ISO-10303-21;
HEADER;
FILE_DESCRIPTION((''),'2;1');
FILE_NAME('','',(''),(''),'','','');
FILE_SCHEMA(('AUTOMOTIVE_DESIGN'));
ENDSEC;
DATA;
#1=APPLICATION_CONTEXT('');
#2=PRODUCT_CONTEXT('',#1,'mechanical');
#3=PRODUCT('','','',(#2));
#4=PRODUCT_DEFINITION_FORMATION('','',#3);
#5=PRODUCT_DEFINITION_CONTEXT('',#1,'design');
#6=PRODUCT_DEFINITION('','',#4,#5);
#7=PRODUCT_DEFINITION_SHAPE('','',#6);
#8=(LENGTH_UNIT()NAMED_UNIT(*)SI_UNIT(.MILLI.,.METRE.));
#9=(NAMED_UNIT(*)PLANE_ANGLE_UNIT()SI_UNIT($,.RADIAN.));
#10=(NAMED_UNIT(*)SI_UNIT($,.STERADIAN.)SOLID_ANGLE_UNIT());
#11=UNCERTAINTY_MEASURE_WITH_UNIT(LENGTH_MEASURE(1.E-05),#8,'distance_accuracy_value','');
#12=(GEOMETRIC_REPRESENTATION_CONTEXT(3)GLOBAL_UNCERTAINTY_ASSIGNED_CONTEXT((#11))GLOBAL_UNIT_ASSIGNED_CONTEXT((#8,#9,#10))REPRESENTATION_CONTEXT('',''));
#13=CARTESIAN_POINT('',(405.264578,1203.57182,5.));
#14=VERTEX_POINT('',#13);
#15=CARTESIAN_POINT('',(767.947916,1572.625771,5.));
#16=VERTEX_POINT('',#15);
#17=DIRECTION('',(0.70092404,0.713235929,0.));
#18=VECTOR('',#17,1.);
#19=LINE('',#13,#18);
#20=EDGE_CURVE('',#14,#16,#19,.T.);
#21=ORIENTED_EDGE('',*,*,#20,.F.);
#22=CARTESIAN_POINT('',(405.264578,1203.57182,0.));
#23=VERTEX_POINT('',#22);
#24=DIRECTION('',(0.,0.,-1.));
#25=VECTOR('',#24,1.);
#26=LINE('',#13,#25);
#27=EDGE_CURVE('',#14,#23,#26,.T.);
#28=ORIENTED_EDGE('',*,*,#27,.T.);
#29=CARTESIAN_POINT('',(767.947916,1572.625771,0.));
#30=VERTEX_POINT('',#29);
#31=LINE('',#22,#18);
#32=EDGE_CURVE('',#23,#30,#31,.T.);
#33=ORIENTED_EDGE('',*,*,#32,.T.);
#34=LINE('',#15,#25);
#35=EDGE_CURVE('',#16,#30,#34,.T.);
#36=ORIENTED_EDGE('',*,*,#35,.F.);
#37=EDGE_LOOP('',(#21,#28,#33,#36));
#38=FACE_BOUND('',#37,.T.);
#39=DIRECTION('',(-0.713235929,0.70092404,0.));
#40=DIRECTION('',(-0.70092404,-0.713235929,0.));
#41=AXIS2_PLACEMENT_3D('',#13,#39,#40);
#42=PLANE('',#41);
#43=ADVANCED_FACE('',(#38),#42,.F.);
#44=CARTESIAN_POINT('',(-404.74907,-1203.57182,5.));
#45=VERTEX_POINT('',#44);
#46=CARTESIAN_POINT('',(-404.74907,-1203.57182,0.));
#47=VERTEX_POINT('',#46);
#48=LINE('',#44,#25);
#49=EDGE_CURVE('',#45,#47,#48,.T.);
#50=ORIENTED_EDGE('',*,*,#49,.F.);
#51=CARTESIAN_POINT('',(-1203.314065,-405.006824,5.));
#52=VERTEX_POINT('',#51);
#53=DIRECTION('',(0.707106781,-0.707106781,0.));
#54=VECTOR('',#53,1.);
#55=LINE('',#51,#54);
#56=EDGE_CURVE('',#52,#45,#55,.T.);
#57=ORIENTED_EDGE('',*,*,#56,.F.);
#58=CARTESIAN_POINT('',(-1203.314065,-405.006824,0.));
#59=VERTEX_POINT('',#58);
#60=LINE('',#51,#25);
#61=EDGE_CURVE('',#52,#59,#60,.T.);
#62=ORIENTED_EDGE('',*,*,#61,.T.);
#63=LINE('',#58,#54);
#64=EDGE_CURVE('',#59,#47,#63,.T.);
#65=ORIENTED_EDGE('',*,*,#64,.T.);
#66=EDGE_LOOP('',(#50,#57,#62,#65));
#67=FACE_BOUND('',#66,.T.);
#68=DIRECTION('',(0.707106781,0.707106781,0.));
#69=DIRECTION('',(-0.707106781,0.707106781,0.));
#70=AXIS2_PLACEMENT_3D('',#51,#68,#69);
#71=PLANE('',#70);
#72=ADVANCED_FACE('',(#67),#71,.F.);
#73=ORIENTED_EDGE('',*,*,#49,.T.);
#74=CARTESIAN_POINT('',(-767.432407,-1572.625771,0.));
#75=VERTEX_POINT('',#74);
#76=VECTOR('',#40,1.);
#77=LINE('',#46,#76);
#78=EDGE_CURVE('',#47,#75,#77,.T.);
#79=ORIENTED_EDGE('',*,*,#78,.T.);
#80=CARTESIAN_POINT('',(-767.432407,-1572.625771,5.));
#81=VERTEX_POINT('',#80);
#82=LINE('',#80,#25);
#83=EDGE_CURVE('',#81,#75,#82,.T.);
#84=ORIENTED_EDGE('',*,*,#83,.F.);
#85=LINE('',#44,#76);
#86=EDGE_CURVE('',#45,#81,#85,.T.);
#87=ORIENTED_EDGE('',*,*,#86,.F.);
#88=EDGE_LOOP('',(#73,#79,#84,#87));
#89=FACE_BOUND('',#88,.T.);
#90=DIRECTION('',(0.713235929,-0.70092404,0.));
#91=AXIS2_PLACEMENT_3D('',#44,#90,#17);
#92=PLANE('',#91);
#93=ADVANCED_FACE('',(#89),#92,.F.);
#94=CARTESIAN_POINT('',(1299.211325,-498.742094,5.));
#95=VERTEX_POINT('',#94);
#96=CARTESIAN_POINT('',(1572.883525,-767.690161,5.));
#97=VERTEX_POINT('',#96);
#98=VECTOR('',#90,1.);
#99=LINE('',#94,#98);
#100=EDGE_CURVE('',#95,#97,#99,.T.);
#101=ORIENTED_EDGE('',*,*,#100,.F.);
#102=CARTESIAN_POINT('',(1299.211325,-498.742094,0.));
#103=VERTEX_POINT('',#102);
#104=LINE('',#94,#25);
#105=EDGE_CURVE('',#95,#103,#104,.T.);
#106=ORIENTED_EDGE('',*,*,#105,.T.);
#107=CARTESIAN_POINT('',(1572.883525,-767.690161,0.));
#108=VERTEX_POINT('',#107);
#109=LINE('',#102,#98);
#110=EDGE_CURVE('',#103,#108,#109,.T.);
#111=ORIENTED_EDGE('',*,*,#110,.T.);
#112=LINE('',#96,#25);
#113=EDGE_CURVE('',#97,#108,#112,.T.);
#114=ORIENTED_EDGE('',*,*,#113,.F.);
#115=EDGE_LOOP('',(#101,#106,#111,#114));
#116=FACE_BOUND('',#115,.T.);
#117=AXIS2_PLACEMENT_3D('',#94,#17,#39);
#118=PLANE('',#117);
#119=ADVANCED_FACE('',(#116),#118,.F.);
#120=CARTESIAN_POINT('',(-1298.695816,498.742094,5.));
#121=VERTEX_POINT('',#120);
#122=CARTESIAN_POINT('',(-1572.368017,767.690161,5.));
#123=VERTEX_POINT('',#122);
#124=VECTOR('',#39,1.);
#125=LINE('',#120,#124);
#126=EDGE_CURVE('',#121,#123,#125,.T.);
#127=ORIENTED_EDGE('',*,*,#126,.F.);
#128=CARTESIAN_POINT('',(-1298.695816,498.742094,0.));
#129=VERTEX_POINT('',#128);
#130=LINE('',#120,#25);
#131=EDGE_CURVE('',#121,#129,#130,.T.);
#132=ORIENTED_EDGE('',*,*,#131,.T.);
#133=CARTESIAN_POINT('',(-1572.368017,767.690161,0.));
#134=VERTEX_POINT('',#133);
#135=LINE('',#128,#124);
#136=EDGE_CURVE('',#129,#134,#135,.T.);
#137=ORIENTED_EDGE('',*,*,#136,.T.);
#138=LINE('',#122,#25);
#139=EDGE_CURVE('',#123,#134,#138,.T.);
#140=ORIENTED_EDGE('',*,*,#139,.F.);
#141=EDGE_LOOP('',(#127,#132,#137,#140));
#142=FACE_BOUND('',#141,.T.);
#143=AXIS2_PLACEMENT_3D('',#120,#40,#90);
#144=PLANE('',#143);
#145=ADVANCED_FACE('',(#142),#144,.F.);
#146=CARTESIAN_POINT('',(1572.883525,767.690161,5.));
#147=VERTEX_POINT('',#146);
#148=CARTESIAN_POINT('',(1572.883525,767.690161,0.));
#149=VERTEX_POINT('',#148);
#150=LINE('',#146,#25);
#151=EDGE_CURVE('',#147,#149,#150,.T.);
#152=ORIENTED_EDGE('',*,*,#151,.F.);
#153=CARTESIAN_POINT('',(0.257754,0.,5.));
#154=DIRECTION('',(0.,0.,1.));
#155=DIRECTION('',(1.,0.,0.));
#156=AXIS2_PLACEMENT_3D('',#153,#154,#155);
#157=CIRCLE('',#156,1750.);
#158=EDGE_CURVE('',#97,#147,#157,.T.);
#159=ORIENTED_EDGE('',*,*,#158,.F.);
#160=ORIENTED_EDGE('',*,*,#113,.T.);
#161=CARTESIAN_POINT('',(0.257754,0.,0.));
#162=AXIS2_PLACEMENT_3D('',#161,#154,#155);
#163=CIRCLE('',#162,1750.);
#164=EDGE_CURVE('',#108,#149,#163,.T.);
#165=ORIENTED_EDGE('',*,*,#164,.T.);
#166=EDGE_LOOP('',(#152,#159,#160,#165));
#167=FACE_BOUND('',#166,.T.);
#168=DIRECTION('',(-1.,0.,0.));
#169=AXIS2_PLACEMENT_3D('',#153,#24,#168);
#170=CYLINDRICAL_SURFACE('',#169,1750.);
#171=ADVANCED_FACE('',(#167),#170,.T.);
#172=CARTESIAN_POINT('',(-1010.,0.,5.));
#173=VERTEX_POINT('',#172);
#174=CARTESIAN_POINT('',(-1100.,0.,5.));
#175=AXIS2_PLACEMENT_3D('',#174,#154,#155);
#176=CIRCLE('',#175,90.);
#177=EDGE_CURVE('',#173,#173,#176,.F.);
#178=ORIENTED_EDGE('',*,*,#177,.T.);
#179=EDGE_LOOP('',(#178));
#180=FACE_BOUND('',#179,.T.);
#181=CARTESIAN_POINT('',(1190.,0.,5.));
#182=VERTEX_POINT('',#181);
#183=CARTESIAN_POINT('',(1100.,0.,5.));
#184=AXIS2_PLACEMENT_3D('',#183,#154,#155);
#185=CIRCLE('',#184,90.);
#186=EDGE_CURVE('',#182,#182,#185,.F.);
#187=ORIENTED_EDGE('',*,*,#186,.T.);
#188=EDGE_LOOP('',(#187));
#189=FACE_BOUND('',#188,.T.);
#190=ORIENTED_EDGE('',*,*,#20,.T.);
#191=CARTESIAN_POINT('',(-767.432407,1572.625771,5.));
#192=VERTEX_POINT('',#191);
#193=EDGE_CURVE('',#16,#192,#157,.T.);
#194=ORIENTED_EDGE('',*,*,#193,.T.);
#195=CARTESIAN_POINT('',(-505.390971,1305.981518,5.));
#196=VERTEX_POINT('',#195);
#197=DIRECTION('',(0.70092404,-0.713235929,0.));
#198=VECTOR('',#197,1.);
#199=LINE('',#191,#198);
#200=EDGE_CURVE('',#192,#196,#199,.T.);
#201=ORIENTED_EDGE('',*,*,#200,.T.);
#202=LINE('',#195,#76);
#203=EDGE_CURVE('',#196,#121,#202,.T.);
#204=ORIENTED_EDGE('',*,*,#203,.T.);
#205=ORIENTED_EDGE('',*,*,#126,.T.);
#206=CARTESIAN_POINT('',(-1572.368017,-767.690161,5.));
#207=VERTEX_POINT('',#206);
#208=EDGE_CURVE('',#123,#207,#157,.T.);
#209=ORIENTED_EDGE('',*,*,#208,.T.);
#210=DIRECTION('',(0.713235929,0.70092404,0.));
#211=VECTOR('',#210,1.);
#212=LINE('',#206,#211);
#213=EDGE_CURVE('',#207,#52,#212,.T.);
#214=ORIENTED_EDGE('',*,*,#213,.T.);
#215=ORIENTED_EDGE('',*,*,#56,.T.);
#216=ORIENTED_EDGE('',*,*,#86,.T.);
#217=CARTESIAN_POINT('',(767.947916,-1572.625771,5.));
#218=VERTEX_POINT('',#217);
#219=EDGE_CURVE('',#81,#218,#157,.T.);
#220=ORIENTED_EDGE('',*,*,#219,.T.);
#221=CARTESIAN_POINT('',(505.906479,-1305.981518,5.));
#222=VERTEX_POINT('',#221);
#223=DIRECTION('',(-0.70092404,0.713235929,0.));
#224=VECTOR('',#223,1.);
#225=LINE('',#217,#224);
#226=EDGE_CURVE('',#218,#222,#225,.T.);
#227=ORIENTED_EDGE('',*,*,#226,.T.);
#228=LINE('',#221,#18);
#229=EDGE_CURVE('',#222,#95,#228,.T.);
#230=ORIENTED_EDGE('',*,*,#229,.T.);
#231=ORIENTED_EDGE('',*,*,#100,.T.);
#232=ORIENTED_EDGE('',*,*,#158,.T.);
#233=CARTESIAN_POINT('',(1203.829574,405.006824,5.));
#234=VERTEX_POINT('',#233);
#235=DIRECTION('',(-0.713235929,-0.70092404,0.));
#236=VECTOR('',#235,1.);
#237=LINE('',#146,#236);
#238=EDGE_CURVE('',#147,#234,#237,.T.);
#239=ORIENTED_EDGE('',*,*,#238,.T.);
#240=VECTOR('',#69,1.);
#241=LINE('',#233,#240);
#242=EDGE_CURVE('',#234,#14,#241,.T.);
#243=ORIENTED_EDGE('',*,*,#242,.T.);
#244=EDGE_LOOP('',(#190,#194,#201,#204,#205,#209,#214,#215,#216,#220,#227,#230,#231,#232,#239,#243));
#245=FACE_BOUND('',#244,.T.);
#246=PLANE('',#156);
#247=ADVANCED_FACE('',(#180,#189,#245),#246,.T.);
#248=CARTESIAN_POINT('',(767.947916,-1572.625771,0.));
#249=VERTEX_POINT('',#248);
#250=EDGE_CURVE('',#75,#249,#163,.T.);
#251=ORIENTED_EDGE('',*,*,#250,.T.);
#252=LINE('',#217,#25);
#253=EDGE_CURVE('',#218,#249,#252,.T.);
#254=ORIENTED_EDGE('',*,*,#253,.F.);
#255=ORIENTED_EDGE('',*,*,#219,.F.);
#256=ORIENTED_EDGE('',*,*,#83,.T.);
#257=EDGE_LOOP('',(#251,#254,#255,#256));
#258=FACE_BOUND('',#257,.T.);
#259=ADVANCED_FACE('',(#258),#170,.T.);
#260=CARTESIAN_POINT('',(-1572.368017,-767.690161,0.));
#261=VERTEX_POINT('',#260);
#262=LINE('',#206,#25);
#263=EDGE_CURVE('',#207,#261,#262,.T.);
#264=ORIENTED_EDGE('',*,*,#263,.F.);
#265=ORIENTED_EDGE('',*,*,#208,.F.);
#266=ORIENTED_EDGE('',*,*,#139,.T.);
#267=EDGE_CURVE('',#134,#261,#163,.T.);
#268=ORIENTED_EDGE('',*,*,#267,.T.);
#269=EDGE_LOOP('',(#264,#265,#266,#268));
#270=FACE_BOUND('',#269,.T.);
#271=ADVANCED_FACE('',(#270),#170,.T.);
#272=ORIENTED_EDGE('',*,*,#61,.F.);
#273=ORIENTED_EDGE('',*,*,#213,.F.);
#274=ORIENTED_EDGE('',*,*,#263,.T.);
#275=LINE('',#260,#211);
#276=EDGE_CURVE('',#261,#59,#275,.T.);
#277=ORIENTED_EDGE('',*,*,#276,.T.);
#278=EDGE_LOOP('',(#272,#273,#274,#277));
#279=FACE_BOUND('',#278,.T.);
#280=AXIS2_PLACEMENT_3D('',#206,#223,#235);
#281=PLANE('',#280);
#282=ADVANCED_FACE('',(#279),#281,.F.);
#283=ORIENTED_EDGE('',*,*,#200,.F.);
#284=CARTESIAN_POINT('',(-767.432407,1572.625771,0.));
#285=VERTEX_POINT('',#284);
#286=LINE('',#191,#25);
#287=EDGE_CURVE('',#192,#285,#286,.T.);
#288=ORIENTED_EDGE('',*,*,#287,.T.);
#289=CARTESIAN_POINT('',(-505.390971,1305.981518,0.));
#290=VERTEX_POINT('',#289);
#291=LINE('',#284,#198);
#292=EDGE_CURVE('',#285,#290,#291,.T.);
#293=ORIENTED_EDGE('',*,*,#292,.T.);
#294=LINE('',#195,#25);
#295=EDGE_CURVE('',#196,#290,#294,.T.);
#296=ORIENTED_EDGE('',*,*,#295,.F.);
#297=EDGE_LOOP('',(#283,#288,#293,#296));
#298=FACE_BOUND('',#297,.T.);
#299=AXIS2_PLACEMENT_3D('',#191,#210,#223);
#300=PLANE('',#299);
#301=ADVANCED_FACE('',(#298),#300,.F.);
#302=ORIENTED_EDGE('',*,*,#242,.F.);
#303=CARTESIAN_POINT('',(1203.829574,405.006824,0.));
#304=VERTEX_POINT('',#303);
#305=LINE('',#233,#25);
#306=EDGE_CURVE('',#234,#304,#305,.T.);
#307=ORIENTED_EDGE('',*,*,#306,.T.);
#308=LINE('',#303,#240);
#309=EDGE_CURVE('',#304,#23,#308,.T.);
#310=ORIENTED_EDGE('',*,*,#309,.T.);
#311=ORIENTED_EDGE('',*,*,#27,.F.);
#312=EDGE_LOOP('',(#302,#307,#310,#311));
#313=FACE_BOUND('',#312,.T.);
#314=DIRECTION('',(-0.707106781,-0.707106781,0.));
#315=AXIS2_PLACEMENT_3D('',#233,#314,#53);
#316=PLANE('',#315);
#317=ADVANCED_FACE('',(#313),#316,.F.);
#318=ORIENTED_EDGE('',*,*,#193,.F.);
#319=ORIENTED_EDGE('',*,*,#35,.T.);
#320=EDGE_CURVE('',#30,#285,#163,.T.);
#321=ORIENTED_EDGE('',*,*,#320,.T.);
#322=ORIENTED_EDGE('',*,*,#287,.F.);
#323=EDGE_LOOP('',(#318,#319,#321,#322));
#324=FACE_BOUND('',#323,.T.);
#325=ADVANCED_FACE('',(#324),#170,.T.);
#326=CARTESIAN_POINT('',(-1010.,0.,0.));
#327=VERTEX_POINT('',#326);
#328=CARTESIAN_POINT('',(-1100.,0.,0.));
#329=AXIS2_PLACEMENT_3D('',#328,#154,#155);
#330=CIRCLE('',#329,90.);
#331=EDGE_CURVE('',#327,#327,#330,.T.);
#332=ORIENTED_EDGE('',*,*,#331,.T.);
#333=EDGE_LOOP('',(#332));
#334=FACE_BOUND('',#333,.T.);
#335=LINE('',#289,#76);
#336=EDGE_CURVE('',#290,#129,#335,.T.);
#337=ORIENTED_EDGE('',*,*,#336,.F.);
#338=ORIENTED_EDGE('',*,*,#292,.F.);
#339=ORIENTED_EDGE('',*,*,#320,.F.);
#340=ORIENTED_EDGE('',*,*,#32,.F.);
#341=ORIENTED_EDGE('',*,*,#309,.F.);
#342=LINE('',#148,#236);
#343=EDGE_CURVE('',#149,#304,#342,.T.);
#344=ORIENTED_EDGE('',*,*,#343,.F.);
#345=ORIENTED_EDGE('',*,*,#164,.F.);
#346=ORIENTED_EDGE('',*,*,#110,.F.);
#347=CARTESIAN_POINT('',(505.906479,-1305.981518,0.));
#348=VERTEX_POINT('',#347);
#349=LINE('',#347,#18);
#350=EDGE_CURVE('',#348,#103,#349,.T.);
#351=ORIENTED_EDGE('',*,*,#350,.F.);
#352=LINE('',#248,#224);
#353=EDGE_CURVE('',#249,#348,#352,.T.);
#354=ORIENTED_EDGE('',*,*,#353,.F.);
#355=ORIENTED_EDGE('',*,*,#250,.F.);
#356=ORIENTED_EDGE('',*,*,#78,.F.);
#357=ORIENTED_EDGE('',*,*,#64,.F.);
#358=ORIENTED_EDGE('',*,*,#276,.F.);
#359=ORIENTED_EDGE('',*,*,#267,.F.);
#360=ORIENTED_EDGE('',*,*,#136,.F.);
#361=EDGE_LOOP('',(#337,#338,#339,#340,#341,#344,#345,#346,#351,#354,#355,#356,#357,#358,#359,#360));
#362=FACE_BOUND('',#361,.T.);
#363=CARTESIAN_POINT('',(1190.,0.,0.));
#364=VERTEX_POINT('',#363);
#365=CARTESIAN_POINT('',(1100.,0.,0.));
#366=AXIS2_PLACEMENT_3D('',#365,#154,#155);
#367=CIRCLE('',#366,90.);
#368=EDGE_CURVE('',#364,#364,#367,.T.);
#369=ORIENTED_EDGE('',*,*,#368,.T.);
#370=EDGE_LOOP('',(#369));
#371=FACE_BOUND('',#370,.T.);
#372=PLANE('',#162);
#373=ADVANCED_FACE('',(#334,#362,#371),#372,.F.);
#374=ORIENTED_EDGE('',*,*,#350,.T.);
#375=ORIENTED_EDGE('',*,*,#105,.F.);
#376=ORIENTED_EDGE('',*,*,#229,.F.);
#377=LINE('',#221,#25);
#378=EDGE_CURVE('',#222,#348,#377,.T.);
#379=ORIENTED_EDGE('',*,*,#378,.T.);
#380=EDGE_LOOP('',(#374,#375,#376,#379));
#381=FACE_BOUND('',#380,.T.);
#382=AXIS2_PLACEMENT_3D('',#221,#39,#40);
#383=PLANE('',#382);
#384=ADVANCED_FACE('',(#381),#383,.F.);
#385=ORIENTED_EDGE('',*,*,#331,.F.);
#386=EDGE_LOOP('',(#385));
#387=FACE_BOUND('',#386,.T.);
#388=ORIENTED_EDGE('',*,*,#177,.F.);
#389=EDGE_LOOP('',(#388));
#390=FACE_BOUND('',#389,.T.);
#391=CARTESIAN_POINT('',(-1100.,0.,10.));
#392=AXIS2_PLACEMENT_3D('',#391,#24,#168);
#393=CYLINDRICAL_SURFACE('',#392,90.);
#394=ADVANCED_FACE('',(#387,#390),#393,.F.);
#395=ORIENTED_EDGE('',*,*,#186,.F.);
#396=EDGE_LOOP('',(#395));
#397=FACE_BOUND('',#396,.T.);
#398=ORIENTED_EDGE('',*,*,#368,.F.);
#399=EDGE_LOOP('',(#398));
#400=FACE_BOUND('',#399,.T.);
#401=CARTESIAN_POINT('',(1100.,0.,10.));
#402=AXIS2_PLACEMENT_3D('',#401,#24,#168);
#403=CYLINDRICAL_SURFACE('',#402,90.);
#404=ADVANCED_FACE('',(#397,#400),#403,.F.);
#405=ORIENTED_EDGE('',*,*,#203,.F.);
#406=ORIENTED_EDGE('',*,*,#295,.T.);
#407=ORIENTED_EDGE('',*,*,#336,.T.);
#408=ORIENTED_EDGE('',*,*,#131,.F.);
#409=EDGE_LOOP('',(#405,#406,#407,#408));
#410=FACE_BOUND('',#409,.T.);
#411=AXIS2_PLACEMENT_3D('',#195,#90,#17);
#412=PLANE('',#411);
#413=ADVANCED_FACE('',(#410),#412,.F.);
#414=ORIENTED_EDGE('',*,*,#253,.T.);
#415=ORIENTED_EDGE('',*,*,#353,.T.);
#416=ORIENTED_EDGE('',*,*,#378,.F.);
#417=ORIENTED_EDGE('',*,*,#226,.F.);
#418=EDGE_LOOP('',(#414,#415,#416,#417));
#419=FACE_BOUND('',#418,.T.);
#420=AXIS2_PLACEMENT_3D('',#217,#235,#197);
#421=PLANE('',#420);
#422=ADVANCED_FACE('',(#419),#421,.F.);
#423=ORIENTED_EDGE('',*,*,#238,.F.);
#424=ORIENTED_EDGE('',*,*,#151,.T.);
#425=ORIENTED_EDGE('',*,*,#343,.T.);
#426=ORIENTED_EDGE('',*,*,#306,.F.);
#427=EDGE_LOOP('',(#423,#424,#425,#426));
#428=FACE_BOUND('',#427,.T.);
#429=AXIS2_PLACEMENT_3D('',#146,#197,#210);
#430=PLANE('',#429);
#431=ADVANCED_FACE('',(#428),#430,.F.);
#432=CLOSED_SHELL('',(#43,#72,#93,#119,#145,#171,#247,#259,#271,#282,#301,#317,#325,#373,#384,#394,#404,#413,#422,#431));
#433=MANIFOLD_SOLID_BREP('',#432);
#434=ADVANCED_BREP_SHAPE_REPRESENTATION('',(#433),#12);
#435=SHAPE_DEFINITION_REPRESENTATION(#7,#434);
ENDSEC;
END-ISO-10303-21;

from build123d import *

# Parameters (mm, degrees)
BOSS_EXTRUDE1_DEPTH = 5
SKETCH3_R           = 90
CUT_EXTRUDE3_DEPTH  = 10


with BuildPart() as part:
    # Sketch2 → Boss-Extrude1 (new body)
    with BuildSketch(Plane.XY):
        with BuildLine():
            Line((767.947915583, -1572.625771149), (505.906479137, -1305.981517926))
            Line((505.906479137, -1305.981517926), (1299.211324809, -498.742094189))
            Line((1299.211324809, -498.742094189), (1572.883525326, -767.690161406))
            ThreePointArc((1572.883525326, -767.690161406), (1750.257754177, 0), (1572.883525326, 767.690161406))
            Line((1572.883525326, 767.690161406), (1203.829573729, 405.006824211))
            Line((1203.829573729, 405.006824211), (405.264578388, 1203.571819552))
            Line((405.264578388, 1203.571819552), (767.947915583, 1572.625771149))
            ThreePointArc((767.947915583, 1572.625771149), (0.257754177, 1750), (-767.432407229, 1572.625771149))
            Line((-767.432407229, 1572.625771149), (-505.390970783, 1305.981517926))
            Line((-505.390970783, 1305.981517926), (-1298.695816455, 498.742094189))
            Line((-1298.695816455, 498.742094189), (-1572.368016972, 767.690161406))
            ThreePointArc((-1572.368016972, 767.690161406), (-1749.742245823, 0), (-1572.368016972, -767.690161406))
            Line((-1572.368016972, -767.690161406), (-1203.314065375, -405.006824211))
            Line((-1203.314065375, -405.006824211), (-404.749070034, -1203.571819552))
            Line((-404.749070034, -1203.571819552), (-767.432407229, -1572.625771149))
            ThreePointArc((-767.432407229, -1572.625771149), (0.257754177, -1750), (767.947915583, -1572.625771149))
        make_face()
    extrude(amount=BOSS_EXTRUDE1_DEPTH)

    # Sketch3 → Cut-Extrude3 (cut)
    with BuildSketch(Plane.XY):
        with Locations((-1100, 0)):
            Circle(SKETCH3_R)
        with Locations((1100, 0)):
            Circle(SKETCH3_R)
    extrude(amount=CUT_EXTRUDE3_DEPTH, mode=Mode.SUBTRACT)


solid = part.part
